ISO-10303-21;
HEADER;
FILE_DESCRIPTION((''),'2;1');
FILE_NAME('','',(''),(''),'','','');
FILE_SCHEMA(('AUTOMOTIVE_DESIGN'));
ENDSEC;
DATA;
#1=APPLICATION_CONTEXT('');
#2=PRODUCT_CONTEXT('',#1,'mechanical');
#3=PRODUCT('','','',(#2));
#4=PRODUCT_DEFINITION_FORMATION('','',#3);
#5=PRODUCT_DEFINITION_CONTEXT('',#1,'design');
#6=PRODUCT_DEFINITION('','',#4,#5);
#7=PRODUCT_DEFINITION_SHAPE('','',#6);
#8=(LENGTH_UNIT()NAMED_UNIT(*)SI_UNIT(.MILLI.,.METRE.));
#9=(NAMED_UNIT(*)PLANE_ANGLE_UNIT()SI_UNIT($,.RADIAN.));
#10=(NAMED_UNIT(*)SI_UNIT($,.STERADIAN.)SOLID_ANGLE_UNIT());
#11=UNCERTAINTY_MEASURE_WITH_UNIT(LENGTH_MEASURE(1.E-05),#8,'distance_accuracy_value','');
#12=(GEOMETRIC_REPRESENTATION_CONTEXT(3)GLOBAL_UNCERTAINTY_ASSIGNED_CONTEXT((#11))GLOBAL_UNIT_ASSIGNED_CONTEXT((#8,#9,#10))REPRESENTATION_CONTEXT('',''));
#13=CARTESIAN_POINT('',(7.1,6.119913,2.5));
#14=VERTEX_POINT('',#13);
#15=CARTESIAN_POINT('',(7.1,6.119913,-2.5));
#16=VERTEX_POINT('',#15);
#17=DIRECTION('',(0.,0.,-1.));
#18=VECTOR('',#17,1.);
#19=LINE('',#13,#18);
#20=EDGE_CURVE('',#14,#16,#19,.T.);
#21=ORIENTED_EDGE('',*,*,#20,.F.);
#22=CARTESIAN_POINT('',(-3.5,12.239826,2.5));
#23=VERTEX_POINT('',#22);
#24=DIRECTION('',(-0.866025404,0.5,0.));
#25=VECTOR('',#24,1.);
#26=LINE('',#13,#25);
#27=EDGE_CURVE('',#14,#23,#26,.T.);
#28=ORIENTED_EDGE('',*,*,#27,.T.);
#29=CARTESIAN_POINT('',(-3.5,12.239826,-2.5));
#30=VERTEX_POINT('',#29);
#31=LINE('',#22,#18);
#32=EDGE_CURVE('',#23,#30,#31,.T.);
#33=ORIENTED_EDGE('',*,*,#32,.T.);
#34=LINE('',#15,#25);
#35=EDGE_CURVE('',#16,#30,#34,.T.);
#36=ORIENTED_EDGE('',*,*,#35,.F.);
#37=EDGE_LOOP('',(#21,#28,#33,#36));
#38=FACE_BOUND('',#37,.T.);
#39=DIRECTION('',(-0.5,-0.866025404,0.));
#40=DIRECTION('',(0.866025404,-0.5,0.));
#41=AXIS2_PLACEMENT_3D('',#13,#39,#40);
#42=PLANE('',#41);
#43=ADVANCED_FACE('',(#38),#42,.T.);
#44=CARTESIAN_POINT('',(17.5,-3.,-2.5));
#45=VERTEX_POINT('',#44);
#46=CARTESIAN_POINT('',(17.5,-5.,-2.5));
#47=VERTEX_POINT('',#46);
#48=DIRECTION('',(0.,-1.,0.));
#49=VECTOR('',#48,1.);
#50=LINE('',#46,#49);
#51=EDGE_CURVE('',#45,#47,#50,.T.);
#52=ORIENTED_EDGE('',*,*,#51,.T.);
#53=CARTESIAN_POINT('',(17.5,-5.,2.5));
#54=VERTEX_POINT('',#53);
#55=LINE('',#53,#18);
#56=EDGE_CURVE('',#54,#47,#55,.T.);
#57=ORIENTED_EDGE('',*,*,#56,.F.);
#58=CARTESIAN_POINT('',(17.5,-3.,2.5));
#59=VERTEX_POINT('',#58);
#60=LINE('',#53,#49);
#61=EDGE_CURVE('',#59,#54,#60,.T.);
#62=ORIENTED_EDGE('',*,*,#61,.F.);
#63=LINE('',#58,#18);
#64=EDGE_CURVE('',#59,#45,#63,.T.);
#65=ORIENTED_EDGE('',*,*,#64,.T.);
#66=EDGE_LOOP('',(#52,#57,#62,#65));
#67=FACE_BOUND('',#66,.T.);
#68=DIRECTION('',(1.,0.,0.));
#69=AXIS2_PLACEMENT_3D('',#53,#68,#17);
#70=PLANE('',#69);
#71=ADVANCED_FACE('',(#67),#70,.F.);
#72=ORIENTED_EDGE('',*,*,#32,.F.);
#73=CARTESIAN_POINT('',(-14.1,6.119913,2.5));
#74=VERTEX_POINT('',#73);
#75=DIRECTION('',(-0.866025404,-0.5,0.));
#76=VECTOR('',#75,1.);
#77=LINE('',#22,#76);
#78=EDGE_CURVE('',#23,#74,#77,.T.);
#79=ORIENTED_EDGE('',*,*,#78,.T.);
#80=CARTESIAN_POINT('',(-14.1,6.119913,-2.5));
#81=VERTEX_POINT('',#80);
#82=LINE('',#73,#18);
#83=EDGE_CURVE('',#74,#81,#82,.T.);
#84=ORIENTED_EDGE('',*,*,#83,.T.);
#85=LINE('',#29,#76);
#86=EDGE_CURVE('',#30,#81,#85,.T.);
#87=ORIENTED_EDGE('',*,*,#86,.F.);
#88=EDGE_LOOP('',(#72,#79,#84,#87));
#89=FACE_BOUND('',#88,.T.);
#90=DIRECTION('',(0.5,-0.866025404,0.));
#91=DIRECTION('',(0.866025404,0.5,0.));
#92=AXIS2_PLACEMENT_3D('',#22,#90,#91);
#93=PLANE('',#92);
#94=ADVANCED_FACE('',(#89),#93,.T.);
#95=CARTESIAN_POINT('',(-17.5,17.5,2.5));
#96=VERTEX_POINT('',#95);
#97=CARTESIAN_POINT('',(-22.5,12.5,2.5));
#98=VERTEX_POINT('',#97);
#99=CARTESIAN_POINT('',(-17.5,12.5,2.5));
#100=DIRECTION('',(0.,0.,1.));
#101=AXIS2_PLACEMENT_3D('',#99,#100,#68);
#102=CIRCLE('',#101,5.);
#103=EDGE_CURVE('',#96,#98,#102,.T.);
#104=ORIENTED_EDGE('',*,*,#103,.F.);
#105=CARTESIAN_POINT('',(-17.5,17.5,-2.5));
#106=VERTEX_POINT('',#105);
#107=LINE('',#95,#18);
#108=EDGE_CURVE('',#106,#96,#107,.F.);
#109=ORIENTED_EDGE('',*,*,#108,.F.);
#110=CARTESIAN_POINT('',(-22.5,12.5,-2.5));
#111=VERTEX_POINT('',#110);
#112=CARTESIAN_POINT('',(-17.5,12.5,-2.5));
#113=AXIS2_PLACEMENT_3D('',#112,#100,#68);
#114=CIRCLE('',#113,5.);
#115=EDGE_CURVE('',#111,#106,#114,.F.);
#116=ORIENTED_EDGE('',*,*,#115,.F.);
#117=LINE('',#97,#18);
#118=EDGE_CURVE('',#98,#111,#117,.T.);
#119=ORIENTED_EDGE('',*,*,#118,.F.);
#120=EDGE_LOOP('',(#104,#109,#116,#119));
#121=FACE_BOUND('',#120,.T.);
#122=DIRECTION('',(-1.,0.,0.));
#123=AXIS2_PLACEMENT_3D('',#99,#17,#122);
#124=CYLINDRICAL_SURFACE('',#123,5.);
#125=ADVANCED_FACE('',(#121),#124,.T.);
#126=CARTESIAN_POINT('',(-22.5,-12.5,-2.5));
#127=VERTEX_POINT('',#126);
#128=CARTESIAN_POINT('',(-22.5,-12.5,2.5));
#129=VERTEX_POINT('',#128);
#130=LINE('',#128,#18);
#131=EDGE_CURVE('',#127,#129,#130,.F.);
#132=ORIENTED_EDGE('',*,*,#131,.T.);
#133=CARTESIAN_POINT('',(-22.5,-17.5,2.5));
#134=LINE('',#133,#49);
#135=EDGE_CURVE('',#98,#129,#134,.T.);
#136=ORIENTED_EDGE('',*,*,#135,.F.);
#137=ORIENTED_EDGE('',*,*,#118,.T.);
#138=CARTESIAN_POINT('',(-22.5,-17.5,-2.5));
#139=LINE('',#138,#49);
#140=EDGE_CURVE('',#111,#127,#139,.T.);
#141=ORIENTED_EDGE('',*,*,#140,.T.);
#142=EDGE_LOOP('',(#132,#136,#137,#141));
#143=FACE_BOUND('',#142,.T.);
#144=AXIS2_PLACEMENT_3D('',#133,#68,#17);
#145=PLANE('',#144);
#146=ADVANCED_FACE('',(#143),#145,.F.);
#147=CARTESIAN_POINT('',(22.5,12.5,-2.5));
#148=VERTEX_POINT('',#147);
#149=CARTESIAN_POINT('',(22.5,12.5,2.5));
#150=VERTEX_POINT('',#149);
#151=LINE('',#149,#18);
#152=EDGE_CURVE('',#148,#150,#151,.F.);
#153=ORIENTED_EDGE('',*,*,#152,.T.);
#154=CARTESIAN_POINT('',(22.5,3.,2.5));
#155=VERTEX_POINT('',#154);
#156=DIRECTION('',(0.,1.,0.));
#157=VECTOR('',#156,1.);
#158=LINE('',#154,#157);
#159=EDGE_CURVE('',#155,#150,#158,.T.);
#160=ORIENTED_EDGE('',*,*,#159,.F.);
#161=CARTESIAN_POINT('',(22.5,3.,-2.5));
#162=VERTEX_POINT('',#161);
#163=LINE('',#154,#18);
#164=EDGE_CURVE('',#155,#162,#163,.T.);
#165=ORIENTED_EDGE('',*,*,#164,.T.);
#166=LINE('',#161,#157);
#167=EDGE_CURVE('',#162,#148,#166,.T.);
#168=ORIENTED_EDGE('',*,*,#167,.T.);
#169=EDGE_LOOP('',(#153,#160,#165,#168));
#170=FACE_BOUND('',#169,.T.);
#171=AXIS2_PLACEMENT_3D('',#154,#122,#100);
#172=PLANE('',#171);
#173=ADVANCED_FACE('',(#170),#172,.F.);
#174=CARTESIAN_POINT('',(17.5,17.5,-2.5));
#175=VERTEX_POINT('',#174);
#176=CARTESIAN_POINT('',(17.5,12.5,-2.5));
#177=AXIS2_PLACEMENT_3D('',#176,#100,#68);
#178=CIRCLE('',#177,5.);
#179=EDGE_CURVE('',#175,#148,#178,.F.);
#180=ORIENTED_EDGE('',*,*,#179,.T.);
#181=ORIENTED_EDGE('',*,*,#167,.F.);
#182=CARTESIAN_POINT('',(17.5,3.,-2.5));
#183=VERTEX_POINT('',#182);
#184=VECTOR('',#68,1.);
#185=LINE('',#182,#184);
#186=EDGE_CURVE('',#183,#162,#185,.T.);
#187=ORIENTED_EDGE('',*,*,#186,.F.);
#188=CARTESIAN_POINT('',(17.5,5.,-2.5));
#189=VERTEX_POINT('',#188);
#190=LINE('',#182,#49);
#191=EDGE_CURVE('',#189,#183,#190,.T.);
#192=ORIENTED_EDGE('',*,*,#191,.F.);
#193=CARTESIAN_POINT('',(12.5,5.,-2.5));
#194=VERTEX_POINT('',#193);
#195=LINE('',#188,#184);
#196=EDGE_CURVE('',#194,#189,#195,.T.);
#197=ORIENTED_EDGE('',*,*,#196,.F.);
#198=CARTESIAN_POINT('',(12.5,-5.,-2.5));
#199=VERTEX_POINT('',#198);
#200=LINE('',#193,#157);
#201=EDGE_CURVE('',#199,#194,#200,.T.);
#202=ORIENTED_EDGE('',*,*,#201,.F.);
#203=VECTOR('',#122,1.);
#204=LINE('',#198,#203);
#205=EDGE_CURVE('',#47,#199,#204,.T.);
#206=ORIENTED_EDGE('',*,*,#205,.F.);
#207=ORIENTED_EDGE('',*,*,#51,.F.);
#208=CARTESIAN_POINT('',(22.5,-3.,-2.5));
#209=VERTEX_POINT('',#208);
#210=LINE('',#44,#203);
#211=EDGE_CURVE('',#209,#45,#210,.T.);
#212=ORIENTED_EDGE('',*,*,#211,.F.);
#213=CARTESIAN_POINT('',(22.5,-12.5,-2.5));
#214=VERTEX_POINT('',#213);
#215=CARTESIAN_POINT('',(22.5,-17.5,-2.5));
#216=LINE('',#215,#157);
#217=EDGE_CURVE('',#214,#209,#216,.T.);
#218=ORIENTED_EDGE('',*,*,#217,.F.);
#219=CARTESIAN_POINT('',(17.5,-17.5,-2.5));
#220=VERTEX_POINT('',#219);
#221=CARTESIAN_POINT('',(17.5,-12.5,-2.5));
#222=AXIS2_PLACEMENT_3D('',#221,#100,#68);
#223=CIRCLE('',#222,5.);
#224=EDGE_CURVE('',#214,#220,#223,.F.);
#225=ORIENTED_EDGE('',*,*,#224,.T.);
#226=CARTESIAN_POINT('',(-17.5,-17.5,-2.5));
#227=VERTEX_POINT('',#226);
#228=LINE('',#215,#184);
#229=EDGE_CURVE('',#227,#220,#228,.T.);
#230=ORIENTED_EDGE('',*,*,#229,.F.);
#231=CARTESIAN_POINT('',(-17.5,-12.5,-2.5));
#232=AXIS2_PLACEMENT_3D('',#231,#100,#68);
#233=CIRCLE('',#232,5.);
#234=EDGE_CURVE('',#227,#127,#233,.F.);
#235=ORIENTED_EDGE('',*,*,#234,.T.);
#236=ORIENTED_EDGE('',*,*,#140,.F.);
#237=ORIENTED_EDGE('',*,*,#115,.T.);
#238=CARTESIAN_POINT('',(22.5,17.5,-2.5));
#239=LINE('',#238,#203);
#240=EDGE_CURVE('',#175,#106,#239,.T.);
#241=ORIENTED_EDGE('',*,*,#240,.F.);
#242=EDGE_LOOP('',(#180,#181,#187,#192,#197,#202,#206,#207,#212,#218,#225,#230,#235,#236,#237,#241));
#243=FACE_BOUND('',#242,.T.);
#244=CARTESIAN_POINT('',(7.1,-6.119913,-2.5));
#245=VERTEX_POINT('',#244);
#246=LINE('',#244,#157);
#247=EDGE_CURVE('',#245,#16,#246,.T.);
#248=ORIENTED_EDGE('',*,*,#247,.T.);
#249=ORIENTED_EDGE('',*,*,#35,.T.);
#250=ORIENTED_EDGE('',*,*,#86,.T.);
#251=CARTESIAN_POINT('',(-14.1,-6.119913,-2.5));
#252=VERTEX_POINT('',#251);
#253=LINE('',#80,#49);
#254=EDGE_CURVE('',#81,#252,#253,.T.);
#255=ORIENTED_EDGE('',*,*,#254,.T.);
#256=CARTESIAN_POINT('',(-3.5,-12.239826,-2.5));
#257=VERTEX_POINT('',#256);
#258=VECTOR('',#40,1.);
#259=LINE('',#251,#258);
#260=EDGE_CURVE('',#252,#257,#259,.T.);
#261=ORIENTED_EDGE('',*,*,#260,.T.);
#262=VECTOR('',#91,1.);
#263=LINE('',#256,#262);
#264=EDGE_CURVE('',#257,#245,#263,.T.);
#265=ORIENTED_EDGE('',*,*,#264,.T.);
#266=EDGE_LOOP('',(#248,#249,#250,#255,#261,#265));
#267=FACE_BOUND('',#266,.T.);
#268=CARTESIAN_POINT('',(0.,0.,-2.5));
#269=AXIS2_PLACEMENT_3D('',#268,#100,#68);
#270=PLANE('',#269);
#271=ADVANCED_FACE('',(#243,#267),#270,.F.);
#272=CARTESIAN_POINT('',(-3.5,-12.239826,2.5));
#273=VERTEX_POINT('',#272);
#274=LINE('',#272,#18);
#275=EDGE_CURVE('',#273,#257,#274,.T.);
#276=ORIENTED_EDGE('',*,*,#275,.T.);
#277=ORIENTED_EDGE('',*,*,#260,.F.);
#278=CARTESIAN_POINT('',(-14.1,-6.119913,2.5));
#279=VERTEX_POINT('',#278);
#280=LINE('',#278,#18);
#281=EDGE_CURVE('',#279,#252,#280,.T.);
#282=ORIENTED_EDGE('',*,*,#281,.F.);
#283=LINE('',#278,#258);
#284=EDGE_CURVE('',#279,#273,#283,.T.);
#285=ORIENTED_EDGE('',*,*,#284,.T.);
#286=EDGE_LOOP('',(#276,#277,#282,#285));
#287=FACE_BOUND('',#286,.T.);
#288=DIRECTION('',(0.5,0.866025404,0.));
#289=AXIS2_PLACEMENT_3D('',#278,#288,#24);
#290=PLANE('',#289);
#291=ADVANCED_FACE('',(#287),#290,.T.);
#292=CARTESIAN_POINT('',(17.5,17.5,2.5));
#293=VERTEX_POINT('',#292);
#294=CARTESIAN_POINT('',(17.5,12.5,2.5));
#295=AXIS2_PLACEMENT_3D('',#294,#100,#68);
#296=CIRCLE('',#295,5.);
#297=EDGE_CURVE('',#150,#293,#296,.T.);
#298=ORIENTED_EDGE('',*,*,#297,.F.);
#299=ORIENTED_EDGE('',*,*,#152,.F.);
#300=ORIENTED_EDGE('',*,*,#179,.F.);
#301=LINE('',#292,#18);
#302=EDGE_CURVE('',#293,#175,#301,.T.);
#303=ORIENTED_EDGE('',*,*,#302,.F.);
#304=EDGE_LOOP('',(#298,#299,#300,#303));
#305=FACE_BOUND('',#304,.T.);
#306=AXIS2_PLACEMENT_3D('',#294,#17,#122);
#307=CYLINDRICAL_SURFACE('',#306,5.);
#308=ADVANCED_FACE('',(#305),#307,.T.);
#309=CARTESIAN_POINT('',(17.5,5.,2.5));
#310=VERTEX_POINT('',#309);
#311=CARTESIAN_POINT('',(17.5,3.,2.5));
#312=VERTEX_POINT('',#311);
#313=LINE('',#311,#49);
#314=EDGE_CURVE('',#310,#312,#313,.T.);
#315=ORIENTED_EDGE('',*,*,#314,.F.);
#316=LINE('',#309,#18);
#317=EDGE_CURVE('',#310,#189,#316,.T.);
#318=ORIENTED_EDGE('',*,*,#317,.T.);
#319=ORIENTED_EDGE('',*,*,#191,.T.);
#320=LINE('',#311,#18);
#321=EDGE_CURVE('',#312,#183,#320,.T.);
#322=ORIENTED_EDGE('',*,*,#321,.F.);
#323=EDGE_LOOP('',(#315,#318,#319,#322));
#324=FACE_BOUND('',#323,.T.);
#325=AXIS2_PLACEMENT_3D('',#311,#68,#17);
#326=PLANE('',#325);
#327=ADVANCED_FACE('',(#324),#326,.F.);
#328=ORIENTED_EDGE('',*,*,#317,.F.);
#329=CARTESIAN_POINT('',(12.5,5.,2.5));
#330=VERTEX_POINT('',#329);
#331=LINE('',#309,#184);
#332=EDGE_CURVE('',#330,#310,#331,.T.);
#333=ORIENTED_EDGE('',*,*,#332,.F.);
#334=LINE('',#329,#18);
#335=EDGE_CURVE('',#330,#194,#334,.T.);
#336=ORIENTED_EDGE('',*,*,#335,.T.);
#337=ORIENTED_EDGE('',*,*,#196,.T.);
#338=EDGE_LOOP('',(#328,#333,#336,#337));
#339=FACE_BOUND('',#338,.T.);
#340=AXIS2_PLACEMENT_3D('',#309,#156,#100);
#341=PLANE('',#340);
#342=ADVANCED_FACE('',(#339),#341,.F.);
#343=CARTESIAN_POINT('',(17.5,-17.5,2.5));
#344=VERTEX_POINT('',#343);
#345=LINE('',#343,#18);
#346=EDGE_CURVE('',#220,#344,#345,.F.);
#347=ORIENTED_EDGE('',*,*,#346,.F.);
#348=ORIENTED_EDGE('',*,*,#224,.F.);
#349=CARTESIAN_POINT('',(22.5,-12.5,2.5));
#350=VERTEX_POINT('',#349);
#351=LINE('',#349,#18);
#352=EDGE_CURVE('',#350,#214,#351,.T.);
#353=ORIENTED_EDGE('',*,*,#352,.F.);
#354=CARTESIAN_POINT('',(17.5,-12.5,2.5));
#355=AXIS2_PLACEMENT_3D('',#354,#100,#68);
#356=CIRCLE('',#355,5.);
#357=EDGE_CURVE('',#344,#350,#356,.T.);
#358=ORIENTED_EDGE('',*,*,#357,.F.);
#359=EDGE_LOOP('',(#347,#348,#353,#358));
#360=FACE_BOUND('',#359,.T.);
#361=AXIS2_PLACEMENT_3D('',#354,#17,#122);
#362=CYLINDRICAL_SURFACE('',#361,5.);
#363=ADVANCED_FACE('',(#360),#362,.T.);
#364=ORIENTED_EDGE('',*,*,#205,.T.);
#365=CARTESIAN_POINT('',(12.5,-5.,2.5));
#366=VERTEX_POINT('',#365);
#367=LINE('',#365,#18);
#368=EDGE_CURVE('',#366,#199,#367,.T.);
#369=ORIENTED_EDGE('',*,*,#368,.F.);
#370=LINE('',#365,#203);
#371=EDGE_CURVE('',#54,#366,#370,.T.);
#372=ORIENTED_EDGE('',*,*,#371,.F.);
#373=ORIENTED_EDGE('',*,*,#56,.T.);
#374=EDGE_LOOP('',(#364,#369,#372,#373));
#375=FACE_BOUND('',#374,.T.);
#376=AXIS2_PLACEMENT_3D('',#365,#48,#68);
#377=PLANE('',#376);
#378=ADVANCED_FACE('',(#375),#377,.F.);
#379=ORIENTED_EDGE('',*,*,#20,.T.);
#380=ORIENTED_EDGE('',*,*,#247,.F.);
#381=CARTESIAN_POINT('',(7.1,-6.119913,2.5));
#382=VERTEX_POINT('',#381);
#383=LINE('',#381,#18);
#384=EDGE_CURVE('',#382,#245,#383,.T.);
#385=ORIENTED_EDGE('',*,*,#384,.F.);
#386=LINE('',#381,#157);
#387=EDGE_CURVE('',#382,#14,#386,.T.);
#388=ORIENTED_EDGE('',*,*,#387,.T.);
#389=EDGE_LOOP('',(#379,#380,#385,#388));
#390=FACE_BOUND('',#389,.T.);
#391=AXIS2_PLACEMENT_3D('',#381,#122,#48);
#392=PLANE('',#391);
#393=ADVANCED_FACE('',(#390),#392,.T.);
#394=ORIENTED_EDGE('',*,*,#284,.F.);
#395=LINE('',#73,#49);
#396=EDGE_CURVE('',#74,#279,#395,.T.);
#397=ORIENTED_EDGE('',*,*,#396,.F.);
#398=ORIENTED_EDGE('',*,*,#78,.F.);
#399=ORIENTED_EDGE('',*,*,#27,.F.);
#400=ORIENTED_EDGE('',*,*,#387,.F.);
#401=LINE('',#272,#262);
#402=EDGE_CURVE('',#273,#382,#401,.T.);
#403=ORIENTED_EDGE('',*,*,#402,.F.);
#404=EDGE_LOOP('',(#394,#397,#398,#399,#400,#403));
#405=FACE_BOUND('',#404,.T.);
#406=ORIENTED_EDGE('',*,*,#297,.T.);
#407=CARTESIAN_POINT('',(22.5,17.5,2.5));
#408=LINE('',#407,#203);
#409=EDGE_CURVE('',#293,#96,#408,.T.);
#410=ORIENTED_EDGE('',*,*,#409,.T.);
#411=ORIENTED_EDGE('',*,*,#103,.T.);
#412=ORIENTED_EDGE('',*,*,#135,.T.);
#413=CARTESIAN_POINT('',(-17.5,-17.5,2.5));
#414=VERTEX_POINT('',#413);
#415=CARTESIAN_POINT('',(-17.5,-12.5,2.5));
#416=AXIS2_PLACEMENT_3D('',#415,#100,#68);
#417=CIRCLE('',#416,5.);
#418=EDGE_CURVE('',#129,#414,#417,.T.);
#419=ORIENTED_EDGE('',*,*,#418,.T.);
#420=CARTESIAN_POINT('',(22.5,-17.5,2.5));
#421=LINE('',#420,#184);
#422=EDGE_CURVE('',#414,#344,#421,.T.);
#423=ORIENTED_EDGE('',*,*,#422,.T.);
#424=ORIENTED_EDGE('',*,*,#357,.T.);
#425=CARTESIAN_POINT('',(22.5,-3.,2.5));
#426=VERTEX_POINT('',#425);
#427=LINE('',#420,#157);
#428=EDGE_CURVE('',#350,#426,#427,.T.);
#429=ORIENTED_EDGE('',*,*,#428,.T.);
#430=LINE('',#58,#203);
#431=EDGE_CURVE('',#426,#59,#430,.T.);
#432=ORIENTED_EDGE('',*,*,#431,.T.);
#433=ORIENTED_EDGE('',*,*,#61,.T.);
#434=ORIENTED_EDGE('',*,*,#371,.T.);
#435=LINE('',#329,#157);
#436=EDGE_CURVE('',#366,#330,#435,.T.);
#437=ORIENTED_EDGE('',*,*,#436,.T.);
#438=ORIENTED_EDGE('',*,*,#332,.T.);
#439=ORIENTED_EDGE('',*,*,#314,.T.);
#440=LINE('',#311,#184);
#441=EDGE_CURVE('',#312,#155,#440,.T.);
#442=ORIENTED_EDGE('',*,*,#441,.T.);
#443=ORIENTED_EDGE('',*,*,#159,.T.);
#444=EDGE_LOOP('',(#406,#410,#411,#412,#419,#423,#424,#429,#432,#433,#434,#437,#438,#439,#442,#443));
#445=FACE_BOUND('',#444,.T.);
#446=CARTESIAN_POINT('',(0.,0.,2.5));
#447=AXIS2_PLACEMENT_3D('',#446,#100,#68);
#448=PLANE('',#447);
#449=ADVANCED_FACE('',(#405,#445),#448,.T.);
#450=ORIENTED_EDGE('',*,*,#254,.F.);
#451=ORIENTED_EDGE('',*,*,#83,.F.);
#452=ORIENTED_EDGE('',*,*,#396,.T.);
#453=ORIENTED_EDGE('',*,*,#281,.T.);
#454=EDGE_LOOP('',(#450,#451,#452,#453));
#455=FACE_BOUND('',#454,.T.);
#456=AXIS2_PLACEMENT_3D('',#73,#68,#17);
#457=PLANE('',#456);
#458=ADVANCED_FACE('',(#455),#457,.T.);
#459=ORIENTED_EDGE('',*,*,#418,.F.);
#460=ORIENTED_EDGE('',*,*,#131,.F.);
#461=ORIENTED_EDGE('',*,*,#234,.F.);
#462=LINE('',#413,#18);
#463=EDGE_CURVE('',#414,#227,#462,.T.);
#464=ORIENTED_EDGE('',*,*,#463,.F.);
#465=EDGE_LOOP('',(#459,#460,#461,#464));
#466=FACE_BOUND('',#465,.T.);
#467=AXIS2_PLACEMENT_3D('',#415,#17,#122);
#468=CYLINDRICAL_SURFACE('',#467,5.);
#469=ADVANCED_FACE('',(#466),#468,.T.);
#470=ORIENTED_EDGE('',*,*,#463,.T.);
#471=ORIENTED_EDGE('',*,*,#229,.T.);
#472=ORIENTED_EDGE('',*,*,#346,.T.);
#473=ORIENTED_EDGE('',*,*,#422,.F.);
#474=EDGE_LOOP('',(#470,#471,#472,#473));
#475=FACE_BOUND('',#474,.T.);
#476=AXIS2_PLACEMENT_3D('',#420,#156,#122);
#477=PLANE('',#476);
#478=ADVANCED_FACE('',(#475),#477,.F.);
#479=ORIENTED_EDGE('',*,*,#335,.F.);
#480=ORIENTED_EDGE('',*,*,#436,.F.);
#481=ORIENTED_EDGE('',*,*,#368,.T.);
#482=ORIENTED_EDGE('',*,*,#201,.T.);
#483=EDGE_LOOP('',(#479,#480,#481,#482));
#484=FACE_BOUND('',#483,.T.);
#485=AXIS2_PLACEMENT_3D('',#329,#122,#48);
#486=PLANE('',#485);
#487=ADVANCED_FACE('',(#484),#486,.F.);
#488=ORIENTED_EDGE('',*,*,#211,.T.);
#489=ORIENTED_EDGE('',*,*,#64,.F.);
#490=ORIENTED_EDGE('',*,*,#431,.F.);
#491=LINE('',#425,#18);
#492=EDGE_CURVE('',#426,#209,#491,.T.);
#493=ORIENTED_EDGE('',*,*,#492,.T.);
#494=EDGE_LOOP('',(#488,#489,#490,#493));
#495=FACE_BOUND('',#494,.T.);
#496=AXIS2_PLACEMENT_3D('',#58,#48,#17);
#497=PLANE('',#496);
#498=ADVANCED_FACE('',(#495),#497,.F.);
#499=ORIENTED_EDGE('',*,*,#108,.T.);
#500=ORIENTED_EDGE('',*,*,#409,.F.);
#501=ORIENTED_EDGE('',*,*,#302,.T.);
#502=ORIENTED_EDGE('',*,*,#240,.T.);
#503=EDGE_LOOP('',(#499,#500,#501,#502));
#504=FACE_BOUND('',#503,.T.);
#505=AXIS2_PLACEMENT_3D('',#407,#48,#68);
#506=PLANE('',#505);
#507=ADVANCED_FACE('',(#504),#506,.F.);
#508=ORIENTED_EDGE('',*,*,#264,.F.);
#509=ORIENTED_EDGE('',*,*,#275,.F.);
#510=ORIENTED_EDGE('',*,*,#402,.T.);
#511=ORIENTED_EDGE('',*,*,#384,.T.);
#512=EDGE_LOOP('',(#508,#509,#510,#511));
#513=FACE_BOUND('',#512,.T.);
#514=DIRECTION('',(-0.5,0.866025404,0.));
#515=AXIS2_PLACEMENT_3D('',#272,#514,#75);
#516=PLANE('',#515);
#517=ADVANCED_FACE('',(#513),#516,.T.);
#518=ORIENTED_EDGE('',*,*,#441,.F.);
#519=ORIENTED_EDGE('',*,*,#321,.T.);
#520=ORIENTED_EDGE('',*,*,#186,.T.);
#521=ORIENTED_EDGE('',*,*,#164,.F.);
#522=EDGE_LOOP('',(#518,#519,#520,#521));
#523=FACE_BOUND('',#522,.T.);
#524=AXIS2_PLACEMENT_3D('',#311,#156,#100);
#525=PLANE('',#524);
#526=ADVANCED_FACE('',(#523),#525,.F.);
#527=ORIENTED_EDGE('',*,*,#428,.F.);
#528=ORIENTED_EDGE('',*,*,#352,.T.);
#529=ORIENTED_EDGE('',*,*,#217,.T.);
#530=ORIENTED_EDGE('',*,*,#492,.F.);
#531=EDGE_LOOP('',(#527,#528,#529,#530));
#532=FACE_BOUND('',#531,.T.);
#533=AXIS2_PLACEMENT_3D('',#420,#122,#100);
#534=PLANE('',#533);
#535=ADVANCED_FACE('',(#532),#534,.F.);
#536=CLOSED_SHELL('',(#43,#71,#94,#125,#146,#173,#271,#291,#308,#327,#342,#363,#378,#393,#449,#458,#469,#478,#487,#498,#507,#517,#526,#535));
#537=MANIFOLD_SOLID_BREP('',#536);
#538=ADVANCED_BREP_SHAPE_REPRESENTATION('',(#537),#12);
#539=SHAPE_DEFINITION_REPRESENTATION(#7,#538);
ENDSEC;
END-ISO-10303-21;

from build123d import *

# Parameters (mm, degrees)
BOSS_EXTRU_1_DEPTH = 2.5
CONG_1_R           = 5


with BuildPart() as part:
    # Esquisse1 → Boss.-Extru.1 (new body, symmetric)
    with BuildSketch(Plane.XY):
        Polygon((22.5, 3), (22.5, 17.5), (-22.5, 17.5), (-22.5, -17.5), (22.5, -17.5), (22.5, -3), (17.5, -3), (17.5, -5), (12.5, -5), (12.5, 5), (17.5, 5), (17.5, 3), align=None)
        Polygon((7.1, 6.119912853), (-3.5, 12.239825707), (-14.1, 6.119912853), (-14.1, -6.119912853), (-3.5, -12.239825707), (7.1, -6.119912853), align=None, mode=Mode.SUBTRACT)
    extrude(amount=BOSS_EXTRU_1_DEPTH, both=True)

    # Congé1
    cong_1_edges = [part.edges().sort_by_distance(p)[0] for p in [
        (-22.5, 17.5, 0),
        (22.5, 17.5, 0),
        (22.5, -17.5, 0),
        (-22.5, -17.5, 0),
    ]]
    fillet(cong_1_edges, radius=CONG_1_R)


solid = part.part
